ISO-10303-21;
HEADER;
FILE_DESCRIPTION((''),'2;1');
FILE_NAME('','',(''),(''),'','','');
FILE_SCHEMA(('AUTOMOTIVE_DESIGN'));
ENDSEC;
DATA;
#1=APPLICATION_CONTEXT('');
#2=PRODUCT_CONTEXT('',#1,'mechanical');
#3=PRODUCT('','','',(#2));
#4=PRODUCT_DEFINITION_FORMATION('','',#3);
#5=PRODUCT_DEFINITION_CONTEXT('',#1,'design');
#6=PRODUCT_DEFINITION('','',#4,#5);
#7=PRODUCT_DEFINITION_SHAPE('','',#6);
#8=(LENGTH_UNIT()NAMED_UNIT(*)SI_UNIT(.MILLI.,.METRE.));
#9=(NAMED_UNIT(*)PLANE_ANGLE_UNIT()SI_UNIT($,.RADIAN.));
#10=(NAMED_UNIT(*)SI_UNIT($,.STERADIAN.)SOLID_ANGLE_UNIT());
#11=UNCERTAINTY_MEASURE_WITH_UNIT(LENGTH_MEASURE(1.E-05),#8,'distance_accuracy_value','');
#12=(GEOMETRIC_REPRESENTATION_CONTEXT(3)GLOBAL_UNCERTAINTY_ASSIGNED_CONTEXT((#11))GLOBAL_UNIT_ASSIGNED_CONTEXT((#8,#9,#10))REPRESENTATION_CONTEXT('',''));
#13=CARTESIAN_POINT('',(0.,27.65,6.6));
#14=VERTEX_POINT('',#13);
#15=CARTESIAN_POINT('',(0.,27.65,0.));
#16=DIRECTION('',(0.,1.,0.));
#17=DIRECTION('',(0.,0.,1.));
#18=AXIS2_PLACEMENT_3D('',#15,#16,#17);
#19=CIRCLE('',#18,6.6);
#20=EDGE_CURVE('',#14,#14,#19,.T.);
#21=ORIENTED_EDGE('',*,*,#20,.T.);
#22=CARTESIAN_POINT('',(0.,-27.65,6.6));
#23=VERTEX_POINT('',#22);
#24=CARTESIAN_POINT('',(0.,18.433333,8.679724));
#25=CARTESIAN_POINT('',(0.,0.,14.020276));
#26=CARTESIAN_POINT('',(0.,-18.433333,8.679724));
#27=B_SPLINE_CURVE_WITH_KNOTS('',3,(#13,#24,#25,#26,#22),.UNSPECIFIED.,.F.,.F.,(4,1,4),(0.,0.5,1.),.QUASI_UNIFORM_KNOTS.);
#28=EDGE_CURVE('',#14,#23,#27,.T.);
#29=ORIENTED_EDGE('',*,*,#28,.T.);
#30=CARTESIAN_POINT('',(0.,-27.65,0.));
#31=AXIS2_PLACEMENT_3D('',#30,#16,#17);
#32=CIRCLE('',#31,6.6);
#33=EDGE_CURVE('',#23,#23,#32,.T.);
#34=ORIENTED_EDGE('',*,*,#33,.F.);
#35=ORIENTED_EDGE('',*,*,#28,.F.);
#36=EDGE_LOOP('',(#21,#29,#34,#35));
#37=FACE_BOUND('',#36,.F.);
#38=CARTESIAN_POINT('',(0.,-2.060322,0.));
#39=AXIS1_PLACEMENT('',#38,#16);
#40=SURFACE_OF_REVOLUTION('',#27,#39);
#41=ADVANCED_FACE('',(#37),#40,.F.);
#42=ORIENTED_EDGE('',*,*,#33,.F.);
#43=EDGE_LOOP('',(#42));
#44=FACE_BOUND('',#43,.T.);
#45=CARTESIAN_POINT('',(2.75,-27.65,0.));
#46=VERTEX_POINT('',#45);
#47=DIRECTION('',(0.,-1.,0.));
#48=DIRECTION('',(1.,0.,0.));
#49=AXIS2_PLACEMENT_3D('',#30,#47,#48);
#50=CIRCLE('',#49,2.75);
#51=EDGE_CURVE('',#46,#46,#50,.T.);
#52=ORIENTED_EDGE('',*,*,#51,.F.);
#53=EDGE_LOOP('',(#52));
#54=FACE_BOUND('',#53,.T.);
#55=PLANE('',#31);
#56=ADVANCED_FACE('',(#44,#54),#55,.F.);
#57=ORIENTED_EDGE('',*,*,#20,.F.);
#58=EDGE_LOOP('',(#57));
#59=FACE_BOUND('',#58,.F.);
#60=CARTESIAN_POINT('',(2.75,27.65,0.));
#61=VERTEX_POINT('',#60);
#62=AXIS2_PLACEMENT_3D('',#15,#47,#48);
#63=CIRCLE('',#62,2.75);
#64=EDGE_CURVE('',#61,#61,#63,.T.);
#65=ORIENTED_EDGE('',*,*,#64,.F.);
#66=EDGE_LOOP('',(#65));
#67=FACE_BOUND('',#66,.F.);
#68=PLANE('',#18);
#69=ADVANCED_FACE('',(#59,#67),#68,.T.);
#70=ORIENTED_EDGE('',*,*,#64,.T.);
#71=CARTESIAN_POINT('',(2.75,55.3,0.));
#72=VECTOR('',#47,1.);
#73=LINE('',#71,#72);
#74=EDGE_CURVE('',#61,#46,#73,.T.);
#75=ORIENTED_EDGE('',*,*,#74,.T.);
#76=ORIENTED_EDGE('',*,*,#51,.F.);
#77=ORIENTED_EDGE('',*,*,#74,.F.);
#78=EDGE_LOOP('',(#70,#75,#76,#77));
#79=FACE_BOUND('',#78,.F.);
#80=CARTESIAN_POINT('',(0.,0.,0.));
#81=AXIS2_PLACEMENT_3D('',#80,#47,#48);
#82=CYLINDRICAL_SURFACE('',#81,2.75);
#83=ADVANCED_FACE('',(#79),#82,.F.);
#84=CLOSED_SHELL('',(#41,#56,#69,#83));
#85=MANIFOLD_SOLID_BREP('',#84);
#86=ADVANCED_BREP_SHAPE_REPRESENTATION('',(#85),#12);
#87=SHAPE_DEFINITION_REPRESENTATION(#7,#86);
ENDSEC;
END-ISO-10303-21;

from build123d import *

# Parameters (mm, degrees)
F2_W     = 55.3
F2_H     = 6.6
F1_R     = 2.75
F4_DEPTH = 55.3


with BuildPart() as f3:
    # F2 (on Right) → F3 (revolve)
    with BuildSketch(Plane.YZ):
        with BuildLine():
            Line((-27.65, 6.6), (27.65, 6.6))
            add(Edge.make_bspline(
                [(27.65, 6.6), (18.4333333333, 8.6797243163), (0, 14.0202756837), (-18.4333333333, 8.6797243163), (-27.65, 6.6)],
                knots=[0, 0, 0, 0, 0.5, 1, 1, 1, 1], degree=3))
        make_face()
        with Locations((0, 3.3)):
            Rectangle(F2_W, F2_H)
    revolve(axis=Axis((0, -2.060322091, 0), (0, 1, 0)))

    # F1 (on Front) → F4 (cut, symmetric)
    with BuildSketch(Plane.XZ):
        Circle(F1_R)
    extrude(amount=F4_DEPTH, both=True, mode=Mode.SUBTRACT)


solid = f3.part
